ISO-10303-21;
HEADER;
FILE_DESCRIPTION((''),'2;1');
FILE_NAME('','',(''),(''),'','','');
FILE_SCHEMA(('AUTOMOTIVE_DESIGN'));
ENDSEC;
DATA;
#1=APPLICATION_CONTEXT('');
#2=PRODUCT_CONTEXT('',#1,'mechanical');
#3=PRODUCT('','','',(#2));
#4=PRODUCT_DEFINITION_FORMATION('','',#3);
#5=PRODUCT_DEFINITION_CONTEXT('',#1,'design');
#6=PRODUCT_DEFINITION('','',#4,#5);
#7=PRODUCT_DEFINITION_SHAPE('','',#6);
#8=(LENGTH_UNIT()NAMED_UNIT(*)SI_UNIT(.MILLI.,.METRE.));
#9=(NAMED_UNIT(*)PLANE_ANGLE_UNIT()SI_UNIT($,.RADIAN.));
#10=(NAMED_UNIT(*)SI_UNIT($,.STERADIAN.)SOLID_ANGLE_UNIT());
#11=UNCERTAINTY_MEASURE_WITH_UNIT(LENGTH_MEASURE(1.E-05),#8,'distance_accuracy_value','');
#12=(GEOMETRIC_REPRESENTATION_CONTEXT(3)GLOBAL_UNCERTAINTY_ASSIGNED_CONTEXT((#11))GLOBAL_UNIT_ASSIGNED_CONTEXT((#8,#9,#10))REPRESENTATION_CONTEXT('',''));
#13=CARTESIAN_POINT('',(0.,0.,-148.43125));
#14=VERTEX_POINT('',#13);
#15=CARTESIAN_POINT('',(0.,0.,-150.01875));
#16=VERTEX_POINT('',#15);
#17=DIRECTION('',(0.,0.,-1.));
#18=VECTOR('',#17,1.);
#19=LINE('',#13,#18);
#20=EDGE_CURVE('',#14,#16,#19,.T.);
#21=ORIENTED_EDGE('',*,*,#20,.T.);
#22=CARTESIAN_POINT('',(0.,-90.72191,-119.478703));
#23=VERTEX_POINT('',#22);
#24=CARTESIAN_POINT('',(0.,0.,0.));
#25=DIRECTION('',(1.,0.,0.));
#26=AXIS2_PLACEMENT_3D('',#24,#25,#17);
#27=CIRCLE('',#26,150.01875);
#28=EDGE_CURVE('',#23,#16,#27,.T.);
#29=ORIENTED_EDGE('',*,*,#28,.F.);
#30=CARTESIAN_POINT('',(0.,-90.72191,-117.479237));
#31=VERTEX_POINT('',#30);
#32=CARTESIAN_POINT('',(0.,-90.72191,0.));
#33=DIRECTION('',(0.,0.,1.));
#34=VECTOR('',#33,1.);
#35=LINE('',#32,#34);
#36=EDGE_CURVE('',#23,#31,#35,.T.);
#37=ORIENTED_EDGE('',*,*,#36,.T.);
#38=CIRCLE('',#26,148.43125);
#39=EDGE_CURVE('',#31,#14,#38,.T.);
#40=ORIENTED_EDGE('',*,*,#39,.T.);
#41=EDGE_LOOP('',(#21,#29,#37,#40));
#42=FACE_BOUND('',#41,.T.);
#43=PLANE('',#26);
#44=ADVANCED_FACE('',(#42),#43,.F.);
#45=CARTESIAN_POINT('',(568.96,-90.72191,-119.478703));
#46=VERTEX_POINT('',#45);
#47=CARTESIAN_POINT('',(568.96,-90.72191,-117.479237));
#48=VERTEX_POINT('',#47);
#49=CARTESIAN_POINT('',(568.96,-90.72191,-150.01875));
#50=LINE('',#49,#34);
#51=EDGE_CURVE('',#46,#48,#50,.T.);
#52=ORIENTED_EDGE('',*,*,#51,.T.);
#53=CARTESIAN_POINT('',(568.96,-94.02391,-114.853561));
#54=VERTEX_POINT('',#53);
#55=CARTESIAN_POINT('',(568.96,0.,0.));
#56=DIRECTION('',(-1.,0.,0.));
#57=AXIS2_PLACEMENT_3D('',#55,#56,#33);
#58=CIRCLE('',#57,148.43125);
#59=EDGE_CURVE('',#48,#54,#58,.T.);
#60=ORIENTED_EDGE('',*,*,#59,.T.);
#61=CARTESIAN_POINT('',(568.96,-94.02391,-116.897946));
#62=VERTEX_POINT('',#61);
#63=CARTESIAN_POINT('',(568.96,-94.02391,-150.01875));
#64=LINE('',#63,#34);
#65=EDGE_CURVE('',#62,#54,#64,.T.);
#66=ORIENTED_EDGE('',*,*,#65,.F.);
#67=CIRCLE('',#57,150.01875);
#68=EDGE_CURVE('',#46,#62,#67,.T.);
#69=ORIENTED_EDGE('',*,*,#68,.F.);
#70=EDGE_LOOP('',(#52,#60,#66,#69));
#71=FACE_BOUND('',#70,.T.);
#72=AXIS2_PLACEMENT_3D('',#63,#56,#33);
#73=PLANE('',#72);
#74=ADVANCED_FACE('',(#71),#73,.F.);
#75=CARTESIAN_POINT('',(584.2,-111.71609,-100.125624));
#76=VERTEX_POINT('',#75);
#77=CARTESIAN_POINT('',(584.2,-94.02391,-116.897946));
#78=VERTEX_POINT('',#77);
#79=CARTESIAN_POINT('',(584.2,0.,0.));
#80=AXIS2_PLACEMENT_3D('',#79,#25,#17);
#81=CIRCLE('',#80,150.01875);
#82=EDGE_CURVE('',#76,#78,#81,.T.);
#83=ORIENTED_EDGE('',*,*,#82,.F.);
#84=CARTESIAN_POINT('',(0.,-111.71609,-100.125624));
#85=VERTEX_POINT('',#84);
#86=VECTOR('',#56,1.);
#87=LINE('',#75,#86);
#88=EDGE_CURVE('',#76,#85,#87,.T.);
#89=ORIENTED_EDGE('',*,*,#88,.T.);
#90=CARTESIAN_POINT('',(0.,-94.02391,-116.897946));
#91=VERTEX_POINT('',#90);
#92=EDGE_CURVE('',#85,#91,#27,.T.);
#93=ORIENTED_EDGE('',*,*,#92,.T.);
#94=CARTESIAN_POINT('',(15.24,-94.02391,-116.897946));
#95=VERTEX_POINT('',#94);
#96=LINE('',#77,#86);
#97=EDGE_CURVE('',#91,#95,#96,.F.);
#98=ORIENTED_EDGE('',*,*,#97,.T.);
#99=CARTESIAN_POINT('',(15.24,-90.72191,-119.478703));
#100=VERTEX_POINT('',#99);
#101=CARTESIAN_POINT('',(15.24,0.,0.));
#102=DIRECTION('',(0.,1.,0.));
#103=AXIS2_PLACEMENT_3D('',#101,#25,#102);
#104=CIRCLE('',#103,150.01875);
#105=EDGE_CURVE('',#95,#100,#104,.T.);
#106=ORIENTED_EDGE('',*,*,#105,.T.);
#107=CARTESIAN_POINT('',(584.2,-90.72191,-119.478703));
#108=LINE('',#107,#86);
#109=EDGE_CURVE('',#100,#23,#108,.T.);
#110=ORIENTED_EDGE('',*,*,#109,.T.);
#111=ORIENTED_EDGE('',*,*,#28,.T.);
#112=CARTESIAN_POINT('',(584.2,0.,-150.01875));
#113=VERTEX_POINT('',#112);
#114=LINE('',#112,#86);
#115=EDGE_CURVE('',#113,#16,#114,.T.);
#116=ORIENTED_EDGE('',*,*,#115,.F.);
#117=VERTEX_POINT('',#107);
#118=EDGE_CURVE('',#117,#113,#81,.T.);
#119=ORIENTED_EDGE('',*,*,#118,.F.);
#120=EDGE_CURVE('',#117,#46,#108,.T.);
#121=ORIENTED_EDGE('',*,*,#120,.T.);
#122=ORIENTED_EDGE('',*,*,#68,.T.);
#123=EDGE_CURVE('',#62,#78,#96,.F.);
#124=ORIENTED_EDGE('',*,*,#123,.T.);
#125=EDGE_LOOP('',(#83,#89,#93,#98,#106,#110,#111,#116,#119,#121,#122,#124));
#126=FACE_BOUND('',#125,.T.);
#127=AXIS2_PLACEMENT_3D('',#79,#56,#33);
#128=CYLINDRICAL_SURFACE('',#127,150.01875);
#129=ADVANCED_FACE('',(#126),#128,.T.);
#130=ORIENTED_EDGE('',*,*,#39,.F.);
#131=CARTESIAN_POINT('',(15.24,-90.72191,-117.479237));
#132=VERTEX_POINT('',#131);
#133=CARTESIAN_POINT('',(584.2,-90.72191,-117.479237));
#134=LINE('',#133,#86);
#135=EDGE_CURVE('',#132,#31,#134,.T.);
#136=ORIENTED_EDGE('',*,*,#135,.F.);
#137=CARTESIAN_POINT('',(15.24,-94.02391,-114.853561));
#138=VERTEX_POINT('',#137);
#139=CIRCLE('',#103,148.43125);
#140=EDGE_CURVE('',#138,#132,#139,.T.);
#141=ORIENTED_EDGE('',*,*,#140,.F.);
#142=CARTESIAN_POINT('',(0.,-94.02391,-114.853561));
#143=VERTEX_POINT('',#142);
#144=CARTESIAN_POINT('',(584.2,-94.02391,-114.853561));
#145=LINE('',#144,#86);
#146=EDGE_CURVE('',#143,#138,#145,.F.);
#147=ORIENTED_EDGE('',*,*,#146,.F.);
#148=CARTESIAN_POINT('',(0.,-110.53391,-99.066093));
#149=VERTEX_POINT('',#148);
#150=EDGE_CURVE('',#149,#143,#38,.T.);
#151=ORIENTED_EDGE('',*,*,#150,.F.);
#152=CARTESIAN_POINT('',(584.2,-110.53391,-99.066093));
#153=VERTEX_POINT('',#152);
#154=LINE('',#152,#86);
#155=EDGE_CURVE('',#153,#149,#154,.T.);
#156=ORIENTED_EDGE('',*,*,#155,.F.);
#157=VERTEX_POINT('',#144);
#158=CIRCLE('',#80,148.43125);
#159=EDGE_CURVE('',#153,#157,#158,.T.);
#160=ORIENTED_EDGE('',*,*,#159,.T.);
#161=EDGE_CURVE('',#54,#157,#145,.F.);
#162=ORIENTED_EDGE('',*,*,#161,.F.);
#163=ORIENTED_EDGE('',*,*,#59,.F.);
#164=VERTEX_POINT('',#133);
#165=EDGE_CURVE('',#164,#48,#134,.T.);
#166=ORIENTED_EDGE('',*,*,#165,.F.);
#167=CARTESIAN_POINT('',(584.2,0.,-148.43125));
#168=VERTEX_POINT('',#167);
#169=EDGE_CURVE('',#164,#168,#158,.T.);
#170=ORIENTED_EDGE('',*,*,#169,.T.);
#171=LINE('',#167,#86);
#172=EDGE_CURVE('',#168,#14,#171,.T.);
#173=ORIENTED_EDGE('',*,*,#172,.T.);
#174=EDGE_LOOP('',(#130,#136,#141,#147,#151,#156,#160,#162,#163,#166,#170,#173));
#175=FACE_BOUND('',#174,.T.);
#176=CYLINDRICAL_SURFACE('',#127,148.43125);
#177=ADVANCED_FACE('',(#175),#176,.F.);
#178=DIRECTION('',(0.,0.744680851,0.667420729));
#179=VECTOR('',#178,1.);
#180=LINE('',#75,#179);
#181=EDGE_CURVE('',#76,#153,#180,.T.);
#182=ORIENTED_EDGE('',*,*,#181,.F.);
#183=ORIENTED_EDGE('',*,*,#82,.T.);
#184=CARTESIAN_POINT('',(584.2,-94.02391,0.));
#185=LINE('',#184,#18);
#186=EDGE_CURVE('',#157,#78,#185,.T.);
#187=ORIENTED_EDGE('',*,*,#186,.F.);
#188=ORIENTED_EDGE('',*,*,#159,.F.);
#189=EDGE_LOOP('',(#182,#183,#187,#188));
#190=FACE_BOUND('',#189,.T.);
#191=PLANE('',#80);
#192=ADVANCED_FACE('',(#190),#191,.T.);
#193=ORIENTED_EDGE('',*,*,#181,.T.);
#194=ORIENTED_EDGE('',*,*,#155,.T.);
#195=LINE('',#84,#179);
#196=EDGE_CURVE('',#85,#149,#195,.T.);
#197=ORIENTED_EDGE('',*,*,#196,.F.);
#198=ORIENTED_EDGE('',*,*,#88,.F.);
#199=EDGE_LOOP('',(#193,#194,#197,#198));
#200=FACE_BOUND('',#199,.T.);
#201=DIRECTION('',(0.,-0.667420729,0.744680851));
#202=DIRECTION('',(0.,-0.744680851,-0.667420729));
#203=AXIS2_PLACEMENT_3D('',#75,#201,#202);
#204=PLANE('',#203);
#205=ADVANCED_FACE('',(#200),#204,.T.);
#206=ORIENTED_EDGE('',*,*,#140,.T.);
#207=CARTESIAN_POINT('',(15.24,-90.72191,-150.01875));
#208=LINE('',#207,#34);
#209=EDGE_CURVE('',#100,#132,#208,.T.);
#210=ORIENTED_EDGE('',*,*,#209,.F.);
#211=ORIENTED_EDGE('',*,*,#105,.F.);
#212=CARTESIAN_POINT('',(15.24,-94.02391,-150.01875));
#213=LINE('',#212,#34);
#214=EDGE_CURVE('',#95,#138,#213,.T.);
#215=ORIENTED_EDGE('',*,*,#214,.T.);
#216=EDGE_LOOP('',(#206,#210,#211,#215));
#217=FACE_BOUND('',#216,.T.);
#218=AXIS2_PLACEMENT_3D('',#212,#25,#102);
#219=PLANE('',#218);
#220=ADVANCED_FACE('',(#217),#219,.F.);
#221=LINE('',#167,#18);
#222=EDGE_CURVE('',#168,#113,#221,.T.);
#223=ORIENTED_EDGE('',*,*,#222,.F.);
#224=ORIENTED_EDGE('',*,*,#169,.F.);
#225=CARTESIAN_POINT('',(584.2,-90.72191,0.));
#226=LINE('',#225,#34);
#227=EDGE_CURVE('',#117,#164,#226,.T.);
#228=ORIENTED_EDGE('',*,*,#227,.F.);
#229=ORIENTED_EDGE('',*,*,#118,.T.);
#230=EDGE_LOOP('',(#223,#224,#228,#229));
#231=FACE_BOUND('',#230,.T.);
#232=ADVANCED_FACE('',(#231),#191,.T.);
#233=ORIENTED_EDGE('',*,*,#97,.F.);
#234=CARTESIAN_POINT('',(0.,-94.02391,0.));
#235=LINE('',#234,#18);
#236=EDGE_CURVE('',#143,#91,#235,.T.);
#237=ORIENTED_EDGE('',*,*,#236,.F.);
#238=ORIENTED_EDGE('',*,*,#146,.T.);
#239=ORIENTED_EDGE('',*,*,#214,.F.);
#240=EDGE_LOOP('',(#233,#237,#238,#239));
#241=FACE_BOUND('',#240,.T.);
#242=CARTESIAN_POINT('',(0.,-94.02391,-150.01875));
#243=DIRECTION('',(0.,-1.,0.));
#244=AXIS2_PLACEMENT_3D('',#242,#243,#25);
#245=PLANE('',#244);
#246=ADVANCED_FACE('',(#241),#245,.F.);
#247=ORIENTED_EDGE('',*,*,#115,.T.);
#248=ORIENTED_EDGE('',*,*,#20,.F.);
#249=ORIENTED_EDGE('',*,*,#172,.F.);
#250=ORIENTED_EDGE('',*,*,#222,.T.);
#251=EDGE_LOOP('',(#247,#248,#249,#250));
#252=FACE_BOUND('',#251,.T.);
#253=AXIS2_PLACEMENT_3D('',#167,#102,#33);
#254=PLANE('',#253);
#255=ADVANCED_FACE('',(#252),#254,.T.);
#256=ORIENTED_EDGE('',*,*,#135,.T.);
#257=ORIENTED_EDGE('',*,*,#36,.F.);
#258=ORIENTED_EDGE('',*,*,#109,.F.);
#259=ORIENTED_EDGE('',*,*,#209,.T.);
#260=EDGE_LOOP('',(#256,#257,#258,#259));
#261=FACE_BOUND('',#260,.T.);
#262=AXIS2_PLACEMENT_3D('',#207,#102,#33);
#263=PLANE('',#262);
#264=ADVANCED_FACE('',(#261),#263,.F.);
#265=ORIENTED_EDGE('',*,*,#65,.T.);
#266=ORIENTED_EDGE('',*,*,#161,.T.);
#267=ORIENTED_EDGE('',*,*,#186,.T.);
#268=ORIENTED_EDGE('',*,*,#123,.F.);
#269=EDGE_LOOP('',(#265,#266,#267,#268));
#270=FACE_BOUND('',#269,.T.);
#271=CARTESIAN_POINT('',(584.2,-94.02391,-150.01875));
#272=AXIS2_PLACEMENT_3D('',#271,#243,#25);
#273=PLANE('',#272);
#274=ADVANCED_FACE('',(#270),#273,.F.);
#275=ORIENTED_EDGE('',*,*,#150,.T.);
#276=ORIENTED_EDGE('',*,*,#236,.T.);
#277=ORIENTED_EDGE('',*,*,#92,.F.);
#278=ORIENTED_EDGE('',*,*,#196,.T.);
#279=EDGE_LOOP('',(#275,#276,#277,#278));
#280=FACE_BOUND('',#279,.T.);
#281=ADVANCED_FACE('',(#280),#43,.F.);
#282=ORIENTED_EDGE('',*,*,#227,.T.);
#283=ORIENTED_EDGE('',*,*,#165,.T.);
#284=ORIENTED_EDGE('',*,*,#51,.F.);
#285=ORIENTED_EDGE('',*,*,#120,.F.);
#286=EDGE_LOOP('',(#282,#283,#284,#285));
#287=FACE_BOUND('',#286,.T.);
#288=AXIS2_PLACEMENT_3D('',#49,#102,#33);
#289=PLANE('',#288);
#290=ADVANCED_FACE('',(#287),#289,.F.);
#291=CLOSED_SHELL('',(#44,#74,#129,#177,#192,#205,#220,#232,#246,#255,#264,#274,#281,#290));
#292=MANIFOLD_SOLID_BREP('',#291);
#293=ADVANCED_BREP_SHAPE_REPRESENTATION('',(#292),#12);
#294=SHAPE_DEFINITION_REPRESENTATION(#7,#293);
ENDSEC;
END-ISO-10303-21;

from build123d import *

# Parameters (mm, degrees)
EXTRUDE_THIN1_DEPTH = 584.2
SKETCH3_W           = 15.24
SKETCH3_H           = 3.302
CUT_EXTRUDE1_DEPTH  = 614.413196966


with BuildPart() as part:
    # Sketch2 → Extrude-Thin1 (new body)
    with BuildSketch(Plane(origin=(0, 0, 0), x_dir=(0, 0, -1), z_dir=(1, 0, 0))):
        with BuildLine():
            ThreePointArc((100.125623552, -111.716090426), (136.978732363, -61.175585258), (150.01875, 0))
            Line((150.01875, 0), (148.43125, 0))
            ThreePointArc((148.43125, 0), (135.529221968, -60.528224568), (99.066093144, -110.533909574))
            Line((99.066093144, -110.533909574), (100.125623552, -111.716090426))
        make_face()
    extrude(amount=EXTRUDE_THIN1_DEPTH)

    # Sketch3 → Cut-Extrude1 (cut, through all)
    with BuildSketch(Plane.XY):
        with Locations((7.62, -92.372909574)):
            Rectangle(SKETCH3_W, SKETCH3_H)
        with Locations((576.58, -92.372909574)):
            Rectangle(SKETCH3_W, SKETCH3_H)
    extrude(amount=-CUT_EXTRUDE1_DEPTH, mode=Mode.SUBTRACT)


solid = part.part
